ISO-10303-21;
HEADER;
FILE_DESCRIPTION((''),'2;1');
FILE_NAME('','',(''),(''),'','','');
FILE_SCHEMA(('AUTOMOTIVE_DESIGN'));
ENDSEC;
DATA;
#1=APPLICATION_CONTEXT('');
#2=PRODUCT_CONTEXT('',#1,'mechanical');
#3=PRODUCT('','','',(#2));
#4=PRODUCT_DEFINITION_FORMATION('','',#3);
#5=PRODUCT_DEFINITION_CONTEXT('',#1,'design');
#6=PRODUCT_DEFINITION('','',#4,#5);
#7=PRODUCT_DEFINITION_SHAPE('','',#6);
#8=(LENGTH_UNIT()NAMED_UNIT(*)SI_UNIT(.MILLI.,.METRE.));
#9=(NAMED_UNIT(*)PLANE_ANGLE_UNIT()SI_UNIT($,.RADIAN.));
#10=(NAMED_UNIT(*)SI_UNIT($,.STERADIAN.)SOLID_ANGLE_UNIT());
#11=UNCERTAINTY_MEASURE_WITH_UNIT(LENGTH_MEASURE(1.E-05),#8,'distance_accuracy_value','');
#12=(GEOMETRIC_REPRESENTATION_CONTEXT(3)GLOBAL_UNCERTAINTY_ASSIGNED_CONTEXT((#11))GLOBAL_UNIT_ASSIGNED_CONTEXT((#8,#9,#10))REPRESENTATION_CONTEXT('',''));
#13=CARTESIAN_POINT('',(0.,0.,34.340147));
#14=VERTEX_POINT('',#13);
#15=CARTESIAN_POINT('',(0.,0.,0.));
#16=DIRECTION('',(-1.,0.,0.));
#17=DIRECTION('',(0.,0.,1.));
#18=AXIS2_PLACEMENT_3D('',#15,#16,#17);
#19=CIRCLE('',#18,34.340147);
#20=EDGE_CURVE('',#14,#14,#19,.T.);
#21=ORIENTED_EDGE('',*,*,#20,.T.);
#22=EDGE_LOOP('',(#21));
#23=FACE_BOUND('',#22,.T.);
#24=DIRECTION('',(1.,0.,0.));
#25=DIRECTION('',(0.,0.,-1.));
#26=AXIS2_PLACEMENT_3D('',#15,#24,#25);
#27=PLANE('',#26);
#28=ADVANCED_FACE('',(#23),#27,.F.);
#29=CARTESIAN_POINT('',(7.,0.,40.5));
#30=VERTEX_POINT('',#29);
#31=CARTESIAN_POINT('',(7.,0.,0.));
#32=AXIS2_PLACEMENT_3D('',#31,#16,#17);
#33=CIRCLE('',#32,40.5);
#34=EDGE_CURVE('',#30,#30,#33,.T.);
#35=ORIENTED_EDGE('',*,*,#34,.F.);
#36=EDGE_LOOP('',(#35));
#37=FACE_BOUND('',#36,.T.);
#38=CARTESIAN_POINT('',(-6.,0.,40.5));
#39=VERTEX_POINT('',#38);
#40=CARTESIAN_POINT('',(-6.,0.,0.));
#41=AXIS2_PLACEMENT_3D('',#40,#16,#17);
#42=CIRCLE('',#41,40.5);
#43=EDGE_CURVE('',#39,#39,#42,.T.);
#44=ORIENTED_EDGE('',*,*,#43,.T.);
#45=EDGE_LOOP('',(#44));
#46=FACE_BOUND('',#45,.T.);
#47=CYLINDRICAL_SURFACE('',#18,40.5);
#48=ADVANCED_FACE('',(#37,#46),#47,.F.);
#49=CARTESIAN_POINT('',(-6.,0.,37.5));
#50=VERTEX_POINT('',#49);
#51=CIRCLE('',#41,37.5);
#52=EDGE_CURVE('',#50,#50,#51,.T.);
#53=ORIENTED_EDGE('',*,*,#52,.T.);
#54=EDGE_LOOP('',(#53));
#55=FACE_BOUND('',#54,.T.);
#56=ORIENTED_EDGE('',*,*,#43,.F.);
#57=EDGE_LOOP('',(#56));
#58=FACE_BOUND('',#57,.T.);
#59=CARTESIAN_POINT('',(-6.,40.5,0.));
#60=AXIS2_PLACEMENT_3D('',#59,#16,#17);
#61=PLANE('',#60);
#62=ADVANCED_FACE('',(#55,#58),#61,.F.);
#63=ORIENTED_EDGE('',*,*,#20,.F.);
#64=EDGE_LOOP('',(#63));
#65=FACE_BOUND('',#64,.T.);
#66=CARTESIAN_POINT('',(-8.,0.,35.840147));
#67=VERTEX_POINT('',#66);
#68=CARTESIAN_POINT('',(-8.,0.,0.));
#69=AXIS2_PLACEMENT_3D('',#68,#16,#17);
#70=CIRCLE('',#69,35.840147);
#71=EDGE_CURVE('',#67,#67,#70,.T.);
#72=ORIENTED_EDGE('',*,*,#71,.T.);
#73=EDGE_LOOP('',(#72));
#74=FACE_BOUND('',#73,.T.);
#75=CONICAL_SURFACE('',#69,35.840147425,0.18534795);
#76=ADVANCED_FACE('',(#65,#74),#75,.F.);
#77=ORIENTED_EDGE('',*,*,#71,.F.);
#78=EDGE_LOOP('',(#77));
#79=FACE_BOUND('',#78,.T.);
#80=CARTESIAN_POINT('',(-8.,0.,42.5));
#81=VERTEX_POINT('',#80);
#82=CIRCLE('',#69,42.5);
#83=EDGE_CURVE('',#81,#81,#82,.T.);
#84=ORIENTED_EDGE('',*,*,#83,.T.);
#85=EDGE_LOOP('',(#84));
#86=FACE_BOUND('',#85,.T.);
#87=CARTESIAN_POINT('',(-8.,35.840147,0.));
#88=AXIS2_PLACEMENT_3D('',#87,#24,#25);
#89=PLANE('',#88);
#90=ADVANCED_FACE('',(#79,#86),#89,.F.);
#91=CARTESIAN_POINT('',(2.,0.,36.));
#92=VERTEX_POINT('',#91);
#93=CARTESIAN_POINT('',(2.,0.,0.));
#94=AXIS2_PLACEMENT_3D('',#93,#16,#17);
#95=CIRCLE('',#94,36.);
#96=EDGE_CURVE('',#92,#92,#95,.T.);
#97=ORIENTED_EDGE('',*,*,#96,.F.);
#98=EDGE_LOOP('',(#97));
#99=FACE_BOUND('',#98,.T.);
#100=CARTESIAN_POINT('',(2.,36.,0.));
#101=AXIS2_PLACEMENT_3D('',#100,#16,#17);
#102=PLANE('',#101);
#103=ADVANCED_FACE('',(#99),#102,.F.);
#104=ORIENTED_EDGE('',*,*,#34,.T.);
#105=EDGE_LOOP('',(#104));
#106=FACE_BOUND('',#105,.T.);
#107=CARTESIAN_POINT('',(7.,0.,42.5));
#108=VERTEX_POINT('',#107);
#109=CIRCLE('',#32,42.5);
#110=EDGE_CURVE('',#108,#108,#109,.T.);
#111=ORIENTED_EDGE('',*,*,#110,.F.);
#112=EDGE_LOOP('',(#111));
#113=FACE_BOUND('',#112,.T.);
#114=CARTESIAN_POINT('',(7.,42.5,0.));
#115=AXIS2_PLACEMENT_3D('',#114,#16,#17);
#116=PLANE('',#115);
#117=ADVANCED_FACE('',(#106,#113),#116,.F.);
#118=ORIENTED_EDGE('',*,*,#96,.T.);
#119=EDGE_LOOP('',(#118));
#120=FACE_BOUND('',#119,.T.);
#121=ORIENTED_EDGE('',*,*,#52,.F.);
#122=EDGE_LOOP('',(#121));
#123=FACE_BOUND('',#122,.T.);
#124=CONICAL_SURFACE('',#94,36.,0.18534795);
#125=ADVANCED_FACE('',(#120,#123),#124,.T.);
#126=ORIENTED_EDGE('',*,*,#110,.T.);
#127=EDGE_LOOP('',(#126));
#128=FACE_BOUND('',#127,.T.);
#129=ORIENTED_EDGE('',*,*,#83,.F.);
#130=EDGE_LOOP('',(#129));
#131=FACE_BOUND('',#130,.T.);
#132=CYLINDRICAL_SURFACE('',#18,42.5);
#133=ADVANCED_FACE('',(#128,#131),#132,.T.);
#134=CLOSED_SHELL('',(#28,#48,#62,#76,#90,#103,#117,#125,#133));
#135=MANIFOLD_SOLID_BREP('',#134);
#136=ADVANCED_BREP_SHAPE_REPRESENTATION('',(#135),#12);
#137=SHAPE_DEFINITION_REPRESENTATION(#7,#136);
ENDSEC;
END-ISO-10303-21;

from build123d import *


with BuildPart() as part:
    # Sketch1 → Revolve1 (revolve)
    with BuildSketch(Plane.XY, mode=Mode.PRIVATE) as revolve1_sk:
        Polygon((0, 0), (0, 34.340147425), (-8, 35.840147425), (-8, 42.5), (7, 42.5), (7, 40.5), (-6, 40.5), (-6, 37.5), (2, 36), (2, 0), align=None)
    revolve(revolve1_sk.sketch.rotate(Axis((0, 0, 0), (1, 0, 0)), 90), axis=Axis((0, 0, 0), (1, 0, 0)))


solid = part.part
